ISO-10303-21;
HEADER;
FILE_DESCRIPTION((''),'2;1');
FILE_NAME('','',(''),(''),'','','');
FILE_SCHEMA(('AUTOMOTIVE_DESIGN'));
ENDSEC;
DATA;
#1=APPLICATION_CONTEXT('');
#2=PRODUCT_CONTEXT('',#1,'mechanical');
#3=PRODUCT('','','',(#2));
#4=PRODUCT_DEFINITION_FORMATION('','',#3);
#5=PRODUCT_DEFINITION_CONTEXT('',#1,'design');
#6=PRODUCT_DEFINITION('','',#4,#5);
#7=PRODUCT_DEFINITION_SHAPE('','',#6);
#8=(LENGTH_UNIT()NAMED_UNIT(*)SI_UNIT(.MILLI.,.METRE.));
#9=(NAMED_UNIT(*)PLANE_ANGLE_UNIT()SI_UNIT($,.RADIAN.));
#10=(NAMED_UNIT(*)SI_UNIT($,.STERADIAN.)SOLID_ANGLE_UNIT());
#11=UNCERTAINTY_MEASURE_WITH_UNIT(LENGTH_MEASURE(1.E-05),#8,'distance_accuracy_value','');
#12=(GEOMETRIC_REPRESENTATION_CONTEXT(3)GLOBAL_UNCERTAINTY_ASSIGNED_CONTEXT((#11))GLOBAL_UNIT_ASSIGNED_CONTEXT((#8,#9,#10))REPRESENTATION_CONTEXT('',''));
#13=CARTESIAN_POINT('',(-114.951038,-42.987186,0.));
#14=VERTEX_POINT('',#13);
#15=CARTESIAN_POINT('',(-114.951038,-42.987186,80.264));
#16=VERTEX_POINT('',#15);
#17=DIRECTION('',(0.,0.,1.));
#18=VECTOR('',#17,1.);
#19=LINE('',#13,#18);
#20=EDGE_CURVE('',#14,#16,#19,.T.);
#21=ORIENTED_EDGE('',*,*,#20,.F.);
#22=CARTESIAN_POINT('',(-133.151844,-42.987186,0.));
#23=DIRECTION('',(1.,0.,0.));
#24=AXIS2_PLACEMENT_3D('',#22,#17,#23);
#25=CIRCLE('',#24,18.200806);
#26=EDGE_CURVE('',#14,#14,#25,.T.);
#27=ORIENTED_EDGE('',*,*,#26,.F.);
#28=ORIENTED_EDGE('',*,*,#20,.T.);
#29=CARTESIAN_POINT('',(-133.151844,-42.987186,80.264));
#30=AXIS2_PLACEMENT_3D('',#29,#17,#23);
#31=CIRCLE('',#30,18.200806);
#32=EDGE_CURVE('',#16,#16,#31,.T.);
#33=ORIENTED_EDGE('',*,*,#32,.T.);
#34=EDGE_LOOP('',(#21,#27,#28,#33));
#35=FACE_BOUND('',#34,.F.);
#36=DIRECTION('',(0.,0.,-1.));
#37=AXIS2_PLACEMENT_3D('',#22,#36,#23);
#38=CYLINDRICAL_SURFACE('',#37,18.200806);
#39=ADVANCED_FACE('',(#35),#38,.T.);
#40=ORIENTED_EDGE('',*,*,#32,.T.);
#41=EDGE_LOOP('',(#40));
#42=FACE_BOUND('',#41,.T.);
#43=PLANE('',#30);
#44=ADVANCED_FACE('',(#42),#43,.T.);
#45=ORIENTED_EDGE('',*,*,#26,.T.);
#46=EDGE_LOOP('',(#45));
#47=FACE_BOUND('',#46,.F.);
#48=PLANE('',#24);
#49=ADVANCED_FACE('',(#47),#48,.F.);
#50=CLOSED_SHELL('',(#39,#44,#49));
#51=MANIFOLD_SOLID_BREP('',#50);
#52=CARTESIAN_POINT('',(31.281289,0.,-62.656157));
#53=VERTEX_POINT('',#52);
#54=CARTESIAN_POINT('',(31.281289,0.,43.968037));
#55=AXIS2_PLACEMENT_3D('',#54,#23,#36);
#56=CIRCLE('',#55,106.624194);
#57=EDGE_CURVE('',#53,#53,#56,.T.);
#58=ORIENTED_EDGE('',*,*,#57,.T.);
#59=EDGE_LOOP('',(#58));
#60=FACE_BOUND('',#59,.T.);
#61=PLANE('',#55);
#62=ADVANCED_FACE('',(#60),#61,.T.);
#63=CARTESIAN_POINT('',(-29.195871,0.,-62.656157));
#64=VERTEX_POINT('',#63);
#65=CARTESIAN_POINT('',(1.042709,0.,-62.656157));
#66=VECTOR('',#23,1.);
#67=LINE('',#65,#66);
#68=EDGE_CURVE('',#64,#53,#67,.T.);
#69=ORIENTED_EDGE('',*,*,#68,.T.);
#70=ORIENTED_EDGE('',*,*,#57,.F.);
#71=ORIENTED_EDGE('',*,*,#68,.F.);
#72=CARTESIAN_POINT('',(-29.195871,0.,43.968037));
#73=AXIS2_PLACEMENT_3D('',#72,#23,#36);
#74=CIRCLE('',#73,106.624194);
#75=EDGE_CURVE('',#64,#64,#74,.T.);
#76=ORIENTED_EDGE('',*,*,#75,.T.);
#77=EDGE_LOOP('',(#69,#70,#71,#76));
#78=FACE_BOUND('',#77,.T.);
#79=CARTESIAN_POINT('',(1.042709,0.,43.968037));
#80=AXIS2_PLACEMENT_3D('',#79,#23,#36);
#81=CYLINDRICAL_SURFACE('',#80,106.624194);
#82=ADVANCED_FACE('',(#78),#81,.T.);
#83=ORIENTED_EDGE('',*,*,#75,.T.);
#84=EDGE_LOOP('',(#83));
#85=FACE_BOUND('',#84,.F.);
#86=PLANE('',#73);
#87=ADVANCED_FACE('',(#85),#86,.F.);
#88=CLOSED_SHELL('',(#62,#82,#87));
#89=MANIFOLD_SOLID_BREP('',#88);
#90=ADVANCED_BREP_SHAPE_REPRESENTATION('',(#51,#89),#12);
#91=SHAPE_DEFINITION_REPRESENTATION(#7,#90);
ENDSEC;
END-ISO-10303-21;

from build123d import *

# Parameters (mm, degrees)
F0_R     = 18.200806
F1_DEPTH = 80.264
F2_W     = 60.47716
F2_H     = 106.624194


with BuildPart() as f1:
    # F0 (on Top) → F1 (new body)
    with BuildSketch(Plane.XY):
        with Locations((-133.151844, -42.987186)):
            Circle(F0_R)
    extrude(amount=F1_DEPTH)


with BuildPart() as f3:
    # F2 (on Front) → F3 (revolve)
    with BuildSketch(Plane.XZ):
        with Locations((1.042709, -9.34406)):
            Rectangle(F2_W, F2_H)
    revolve(axis=Axis((1.042709, 0, 43.968037), (1, 0, 0)))


solid = Compound([f1.part, f3.part])
